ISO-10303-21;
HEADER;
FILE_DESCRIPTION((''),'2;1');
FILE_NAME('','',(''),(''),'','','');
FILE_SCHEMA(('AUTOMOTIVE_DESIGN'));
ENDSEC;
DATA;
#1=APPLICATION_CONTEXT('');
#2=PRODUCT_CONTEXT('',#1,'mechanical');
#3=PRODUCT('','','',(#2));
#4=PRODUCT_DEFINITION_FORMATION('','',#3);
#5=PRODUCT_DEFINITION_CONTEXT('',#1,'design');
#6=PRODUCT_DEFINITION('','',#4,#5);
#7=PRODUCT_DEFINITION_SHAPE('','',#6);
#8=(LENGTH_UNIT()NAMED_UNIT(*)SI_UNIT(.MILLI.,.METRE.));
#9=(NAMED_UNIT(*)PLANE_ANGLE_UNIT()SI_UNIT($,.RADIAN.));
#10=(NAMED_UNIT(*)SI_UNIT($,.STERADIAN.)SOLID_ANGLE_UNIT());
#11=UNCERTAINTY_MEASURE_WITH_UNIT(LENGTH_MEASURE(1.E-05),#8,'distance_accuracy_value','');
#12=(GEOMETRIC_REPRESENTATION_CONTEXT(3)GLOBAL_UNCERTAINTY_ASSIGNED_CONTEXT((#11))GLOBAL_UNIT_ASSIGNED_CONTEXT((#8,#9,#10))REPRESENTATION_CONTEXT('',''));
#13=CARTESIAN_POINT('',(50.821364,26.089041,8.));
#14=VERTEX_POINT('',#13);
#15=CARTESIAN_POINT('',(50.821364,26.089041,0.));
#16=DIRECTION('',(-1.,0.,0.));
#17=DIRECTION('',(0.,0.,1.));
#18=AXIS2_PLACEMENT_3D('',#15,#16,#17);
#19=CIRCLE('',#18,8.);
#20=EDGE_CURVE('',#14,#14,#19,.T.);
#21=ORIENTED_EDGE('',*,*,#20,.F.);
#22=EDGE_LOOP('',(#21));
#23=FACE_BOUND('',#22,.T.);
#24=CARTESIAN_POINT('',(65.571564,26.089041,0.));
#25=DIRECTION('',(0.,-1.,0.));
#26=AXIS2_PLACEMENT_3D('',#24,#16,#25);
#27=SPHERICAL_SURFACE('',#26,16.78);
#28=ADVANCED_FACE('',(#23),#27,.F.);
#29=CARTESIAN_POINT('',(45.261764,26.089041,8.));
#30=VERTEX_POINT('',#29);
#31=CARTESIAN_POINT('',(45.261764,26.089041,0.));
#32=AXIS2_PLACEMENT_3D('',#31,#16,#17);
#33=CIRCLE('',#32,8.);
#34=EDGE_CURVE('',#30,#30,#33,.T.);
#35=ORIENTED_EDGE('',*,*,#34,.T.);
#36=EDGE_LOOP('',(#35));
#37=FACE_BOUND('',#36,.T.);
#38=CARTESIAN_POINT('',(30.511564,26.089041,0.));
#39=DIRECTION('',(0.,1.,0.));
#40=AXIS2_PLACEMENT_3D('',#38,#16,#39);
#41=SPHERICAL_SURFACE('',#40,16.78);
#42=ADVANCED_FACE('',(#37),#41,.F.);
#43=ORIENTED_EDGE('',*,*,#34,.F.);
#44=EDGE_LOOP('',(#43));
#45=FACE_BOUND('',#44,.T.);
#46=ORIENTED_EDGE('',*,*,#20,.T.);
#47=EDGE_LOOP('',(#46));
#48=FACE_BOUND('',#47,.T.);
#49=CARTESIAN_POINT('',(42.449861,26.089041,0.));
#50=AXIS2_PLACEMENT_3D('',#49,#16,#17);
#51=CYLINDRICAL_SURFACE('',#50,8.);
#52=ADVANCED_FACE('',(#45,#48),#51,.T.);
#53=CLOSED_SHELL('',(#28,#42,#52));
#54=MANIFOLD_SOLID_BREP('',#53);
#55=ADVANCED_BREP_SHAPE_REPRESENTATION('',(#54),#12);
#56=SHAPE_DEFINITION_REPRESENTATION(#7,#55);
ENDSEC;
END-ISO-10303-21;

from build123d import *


with BuildPart() as part:
    # 草图1 → 旋转1 (revolve)
    with BuildSketch(Plane.XY, mode=Mode.PRIVATE) as revolve_1_sk:
        with BuildLine():
            Line((47.291563991, 26.089041149), (48.791563991, 26.089041149))
            ThreePointArc((48.791563991, 26.089041149), (49.306928182, 30.215785873), (50.821363992, 34.089041149))
            Line((50.821363992, 34.089041149), (48.041563991, 34.089041149))
            Line((48.041563991, 34.089041149), (45.26176399, 34.089041149))
            ThreePointArc((45.26176399, 34.089041149), (46.7761998, 30.215785873), (47.291563991, 26.089041149))
        make_face()
    revolve(revolve_1_sk.sketch.rotate(Axis((42.449861114, 26.089041149, 0), (1, 0, 0)), 90), axis=Axis((42.449861114, 26.089041149, 0), (1, 0, 0)))  # turned: the seam where the file's is


solid = part.part
